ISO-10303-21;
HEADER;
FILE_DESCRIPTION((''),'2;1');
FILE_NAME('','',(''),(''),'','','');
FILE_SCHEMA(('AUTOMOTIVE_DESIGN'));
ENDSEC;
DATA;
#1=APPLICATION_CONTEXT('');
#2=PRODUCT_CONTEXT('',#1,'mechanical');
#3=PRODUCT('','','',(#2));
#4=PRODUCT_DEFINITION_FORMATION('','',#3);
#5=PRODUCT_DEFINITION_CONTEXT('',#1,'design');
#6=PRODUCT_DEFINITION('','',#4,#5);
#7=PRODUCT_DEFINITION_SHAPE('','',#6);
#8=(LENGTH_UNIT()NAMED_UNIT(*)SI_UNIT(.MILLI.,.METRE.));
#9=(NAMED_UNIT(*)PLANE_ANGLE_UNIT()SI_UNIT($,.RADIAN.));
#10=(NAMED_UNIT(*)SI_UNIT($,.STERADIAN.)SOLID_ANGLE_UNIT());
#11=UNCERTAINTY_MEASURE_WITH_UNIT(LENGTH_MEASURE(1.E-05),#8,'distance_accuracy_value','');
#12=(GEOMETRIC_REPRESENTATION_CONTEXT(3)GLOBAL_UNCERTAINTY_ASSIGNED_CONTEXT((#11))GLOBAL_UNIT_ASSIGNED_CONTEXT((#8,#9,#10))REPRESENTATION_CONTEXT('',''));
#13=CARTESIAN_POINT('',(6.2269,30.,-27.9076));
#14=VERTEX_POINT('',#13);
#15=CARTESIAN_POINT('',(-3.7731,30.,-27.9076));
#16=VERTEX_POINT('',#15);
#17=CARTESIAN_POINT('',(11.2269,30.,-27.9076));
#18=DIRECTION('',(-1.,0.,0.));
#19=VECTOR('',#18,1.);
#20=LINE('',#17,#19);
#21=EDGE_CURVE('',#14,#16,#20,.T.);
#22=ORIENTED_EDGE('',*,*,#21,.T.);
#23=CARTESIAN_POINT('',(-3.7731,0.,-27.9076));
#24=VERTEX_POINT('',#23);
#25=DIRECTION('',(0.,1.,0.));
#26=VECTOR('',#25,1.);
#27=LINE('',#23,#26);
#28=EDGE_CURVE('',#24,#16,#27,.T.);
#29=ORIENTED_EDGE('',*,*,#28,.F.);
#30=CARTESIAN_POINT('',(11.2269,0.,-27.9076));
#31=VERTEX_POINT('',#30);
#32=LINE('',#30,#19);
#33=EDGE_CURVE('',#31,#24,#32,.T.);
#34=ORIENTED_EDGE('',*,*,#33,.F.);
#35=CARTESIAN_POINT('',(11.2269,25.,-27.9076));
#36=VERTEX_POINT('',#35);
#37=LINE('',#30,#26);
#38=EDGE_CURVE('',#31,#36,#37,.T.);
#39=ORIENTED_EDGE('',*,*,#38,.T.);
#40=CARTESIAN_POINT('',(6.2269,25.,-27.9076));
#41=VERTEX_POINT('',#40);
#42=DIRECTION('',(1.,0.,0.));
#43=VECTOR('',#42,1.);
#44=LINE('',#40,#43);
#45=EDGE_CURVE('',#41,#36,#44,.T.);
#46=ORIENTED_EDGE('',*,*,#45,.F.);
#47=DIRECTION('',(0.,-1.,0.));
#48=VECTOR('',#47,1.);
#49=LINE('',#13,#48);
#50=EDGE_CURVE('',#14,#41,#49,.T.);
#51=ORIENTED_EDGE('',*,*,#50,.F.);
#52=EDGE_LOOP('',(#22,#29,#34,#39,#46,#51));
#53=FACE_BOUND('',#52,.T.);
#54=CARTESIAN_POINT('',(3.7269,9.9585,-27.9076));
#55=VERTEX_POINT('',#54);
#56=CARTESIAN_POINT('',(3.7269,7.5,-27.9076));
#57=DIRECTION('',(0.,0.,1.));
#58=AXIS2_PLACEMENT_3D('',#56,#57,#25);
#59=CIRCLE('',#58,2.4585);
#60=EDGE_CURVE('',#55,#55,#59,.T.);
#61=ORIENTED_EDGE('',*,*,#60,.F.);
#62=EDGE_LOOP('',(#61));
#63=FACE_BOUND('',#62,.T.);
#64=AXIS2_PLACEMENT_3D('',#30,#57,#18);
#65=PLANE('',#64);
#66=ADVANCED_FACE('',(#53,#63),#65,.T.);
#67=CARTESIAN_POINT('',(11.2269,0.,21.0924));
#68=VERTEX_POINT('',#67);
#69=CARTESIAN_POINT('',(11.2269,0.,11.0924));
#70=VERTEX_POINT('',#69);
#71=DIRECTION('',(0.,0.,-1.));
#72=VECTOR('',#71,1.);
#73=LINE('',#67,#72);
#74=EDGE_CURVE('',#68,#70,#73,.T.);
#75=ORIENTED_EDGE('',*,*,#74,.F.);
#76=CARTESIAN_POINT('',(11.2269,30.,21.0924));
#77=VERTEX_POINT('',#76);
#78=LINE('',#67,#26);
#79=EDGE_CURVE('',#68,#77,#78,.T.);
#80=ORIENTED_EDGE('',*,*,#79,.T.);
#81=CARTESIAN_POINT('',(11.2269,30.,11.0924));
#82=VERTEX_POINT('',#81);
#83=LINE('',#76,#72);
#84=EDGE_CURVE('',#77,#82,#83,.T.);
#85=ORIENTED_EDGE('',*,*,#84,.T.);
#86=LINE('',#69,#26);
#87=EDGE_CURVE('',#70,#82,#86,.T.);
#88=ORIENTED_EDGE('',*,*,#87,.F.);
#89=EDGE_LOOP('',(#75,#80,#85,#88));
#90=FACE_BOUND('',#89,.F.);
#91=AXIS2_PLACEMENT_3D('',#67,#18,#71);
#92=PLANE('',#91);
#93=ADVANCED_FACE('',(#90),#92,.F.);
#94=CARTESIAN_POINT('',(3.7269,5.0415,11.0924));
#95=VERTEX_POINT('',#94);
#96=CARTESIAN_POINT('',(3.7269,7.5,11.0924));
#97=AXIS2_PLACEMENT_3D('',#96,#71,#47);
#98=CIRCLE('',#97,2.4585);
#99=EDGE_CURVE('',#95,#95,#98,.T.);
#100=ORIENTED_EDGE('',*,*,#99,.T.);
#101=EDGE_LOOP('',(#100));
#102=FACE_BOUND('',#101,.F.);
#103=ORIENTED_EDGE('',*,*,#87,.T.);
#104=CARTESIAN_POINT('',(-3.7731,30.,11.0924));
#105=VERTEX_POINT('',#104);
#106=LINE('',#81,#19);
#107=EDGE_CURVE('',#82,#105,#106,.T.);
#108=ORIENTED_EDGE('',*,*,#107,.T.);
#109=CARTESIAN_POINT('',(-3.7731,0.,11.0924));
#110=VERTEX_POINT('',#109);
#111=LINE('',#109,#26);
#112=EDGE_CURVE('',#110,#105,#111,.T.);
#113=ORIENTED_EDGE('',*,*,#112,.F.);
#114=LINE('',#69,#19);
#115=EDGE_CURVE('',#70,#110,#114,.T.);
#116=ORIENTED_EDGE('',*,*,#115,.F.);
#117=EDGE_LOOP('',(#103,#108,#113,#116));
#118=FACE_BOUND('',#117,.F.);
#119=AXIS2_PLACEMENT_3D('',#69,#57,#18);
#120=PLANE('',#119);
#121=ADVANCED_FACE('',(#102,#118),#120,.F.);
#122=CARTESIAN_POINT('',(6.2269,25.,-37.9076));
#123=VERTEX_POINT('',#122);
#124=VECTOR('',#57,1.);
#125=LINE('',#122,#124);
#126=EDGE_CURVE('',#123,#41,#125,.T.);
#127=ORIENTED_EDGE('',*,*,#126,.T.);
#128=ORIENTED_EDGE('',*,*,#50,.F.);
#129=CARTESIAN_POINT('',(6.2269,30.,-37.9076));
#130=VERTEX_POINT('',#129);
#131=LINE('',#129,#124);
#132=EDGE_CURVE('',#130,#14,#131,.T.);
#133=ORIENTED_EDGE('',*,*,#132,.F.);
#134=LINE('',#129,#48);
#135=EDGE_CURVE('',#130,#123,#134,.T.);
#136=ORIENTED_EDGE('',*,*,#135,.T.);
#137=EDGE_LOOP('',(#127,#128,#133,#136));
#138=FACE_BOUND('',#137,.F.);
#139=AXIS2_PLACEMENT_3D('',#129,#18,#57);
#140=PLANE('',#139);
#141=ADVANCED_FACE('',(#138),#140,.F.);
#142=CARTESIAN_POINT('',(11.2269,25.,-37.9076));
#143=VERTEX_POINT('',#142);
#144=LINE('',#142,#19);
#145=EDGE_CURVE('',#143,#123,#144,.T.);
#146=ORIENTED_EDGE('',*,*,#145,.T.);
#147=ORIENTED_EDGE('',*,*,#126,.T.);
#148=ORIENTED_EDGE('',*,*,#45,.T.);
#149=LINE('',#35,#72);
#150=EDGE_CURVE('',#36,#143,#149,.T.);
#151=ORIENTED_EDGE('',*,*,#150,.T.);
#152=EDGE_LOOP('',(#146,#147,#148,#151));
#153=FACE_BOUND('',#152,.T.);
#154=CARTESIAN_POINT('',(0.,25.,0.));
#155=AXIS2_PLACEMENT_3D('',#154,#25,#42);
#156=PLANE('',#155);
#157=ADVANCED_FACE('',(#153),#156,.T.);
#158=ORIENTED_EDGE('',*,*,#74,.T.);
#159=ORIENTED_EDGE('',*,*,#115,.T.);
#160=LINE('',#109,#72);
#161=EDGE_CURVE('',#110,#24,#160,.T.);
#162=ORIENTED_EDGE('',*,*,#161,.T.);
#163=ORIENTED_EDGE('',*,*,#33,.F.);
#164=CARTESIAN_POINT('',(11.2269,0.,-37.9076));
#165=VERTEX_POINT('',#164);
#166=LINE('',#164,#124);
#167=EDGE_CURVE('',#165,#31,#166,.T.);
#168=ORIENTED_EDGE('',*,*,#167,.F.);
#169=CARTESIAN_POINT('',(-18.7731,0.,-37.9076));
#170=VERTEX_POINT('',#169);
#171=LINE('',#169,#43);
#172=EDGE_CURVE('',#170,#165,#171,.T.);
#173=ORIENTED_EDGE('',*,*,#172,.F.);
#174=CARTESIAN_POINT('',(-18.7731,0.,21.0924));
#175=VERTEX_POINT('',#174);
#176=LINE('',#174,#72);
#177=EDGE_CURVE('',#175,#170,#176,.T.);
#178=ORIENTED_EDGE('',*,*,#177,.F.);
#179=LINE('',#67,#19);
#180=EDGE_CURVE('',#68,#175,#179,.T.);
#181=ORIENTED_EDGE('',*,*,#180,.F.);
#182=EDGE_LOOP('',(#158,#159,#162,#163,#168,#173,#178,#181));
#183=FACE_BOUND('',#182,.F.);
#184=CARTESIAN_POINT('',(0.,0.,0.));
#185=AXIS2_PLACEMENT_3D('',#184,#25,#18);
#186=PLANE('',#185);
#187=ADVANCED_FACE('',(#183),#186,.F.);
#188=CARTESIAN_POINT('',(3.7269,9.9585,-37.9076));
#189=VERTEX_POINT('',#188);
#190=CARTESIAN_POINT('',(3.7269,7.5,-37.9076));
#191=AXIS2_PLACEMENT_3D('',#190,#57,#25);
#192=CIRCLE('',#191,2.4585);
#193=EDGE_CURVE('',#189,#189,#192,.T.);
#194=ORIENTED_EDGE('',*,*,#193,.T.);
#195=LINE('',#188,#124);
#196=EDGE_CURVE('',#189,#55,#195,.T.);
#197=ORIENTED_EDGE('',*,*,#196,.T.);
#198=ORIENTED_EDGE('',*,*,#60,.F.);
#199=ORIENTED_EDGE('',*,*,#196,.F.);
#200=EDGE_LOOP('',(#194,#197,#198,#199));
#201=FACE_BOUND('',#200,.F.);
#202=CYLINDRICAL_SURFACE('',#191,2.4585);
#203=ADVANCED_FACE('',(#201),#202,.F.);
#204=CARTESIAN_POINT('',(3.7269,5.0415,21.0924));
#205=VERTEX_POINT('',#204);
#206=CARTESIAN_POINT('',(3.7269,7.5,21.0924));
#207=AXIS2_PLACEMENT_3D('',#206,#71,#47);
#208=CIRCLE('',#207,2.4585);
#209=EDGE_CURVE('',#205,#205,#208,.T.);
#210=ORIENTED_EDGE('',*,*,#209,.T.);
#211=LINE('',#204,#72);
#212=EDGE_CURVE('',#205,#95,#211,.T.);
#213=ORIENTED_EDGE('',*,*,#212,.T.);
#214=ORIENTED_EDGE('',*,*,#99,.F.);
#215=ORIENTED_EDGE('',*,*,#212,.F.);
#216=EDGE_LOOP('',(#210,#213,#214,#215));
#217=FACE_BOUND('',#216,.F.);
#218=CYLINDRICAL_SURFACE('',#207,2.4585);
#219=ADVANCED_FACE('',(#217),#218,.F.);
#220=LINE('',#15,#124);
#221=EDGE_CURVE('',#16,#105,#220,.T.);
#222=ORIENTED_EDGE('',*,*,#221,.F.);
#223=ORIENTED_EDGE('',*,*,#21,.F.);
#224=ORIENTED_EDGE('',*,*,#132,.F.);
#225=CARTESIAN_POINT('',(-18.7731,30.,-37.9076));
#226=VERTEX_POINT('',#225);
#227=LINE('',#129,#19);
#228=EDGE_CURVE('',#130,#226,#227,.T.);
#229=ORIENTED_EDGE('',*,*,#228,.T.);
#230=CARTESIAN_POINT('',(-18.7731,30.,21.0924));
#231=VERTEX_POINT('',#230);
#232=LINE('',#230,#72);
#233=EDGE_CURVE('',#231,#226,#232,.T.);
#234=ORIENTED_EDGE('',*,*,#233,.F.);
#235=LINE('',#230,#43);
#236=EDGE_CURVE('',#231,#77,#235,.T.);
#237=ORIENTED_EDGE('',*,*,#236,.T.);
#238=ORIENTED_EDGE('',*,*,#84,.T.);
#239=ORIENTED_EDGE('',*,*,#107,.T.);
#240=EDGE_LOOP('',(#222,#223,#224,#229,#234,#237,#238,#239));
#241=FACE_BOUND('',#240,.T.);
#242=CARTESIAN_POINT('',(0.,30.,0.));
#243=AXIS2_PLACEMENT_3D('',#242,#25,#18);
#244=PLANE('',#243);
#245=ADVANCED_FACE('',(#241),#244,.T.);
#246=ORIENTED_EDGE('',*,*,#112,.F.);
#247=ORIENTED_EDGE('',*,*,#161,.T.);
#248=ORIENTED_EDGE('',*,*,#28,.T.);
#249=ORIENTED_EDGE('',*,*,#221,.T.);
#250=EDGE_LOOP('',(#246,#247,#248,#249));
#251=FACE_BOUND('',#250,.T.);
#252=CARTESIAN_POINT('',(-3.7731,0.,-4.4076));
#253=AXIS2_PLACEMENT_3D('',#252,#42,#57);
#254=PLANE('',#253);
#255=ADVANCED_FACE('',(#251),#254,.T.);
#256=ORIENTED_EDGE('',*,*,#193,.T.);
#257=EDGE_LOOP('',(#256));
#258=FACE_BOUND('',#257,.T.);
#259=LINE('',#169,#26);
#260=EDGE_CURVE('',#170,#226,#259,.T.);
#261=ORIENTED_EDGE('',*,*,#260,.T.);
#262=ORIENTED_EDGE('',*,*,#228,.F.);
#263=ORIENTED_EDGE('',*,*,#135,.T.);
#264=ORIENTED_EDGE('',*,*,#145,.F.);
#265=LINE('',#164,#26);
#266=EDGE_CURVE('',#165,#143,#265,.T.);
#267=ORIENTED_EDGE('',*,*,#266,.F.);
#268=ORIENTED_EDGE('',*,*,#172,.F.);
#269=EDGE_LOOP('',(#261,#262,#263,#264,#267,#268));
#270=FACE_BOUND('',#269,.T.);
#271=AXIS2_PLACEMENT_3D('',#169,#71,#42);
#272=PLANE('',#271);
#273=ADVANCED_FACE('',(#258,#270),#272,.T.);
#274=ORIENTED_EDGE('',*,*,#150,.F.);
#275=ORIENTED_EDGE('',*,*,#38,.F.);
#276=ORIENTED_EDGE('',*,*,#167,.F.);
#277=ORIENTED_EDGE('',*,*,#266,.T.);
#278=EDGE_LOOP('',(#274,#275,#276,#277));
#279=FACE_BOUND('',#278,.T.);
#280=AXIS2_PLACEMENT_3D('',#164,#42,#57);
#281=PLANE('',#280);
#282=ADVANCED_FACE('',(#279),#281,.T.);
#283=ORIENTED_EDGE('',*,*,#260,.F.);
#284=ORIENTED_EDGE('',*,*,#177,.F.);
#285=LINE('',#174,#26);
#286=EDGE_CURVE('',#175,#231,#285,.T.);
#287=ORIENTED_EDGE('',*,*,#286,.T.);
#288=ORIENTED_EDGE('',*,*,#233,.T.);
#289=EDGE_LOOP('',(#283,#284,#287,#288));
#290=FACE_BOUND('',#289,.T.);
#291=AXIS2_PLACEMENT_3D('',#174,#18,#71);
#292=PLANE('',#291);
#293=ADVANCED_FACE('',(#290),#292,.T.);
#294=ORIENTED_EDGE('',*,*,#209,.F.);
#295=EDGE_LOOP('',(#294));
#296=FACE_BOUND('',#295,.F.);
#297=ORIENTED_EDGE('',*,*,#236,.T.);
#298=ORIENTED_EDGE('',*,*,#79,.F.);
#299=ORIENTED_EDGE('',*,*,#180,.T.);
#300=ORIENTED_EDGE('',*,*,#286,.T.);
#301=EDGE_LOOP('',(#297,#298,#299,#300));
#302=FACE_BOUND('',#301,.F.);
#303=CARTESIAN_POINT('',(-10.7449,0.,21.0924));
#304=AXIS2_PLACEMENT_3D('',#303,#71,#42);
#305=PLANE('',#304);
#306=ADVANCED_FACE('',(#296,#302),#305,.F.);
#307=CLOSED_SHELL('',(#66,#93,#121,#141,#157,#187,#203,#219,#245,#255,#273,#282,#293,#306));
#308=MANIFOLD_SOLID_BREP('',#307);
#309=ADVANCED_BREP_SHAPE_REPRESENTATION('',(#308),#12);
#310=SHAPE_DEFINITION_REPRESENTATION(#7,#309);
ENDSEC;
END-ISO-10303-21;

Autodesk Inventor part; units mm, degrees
ref_plane "YZ Plane" through (0, 0, 0) normal (1, 0, 0) x (0, 1, 0)
ref_plane "XZ Plane" through (0, 0, 0) normal (0, 1, 0) x (-1, 0, 0)
ref_plane "XY Plane" through (0, 0, 0) normal (0, 0, 1) x (1, 0, 0)
sketch "Skizze1" plane through (0, 0, 0) normal (0, 1, 0) x (-1, 0, 0)
  line L0 (3.7731, -4.4076) -> (3.7731, -12.4076)
  line L1 (10.7449, 21.0924) -> (18.7731, 21.0924)
  line L2 (18.7731, 21.0924) -> (18.7731, -37.9076)
  line L3 (18.7731, -37.9076) -> (10.7449, -37.9076)
  line L4 (10.7449, 21.0924) -> (-11.2269, 21.0924)
  line L5 (-11.2269, 21.0924) -> (-11.2269, 11.0924)
  line L6 (-11.2269, 11.0924) -> (3.7731, 11.0924)
  line L7 (10.7449, -37.9076) -> (-11.2269, -37.9076)
  line L8 (-11.2269, -37.9076) -> (-11.2269, -27.9076)
  line L9 (-11.2269, -27.9076) -> (3.7731, -27.9076)
  line L10 (3.7731, -12.4076) -> (3.7731, -12.4076)
  line L11 (3.7731, -4.4076) -> (3.7731, -4.4076)
  line L12 (3.7731, -27.9076) -> (3.7731, -12.4076)
  line L13 (3.7731, -4.4076) -> (3.7731, 11.0924)
  point P0 (0, 0)
  dimension "d1" = 15
  dimension "d2" = 15.5
  dimension "d3" = 15.5
  dimension "d5" = 10
  dimension "d6" = 59
  dimension "d7" = 0
  dimension "d8" = 15
  dimension "d64" = 8
  dimension "d65" = 10
extrude "Extrusion1" add sketch "Skizze1" along normal blind 30
sketch "Skizze2" plane through (0, 30, 0) normal (0, 1, 0) x (1, 0, 0)
  line L0 (11.2269, 27.9076) -> (11.2269, 37.9076) projected
  line L1 (11.2269, 37.9076) -> (6.2269, 37.9076)
  line L2 (6.2269, 37.9076) -> (6.2269, 27.9076)
  line L3 (6.2269, 27.9076) -> (11.2269, 27.9076)
  line L4 (11.2269, 27.9076) -> (11.2269, 37.9076)
  line L5 (-3.7731, 27.9076) -> (11.2269, 27.9076) projected
  point P0 (0, 0)
  dimension "d11" = 0
  dimension "d12" = 5
extrude "Extrusion2" cut sketch "Skizze2" against normal blind 5
sketch "Skizze6" plane through (-18.7731, 0, 21.0924) normal (0, 0, 1) x (1, 0, 0)
  circle A0 centre (22.5, 7.5) radius 4.6596
  line L0 (30, 0) -> (0, 0) projected
  line L1 (30, 0) -> (30, 30) projected
  point P0 (18.7731, 0)
  dimension "d27" = 7.5
  dimension "d28" = 7.5
hole "Bohrung1" at (3.7269, 7.5, 21.0924) direction (0, 0, -1) diameter 4.917 depth 17 tip angle 118 thread size "M6x1" class "6H" standard "ANSI Metric M Profile"
sketch "Skizze8" plane through (11.2269, 0, -37.9076) normal (0, 0, -1) x (-1, 0, 0)
  circle A0 centre (7.5, 7.5) radius 1.9257
  line L0 (30, 0) -> (0, 0) projected
  line L1 (0, 0) -> (0, 25) projected
  point P0 (11.2269, 0)
  dimension "d45" = 7.5
  dimension "d46" = 7.5
hole "Bohrung3" at (3.7269, 7.5, -37.9076) direction (0, 0, 1) diameter 4.917 depth 17 tip angle 118 thread size "M6x1" class "6H" standard "ANSI Metric M Profile"
properties material "Nylon 6"
